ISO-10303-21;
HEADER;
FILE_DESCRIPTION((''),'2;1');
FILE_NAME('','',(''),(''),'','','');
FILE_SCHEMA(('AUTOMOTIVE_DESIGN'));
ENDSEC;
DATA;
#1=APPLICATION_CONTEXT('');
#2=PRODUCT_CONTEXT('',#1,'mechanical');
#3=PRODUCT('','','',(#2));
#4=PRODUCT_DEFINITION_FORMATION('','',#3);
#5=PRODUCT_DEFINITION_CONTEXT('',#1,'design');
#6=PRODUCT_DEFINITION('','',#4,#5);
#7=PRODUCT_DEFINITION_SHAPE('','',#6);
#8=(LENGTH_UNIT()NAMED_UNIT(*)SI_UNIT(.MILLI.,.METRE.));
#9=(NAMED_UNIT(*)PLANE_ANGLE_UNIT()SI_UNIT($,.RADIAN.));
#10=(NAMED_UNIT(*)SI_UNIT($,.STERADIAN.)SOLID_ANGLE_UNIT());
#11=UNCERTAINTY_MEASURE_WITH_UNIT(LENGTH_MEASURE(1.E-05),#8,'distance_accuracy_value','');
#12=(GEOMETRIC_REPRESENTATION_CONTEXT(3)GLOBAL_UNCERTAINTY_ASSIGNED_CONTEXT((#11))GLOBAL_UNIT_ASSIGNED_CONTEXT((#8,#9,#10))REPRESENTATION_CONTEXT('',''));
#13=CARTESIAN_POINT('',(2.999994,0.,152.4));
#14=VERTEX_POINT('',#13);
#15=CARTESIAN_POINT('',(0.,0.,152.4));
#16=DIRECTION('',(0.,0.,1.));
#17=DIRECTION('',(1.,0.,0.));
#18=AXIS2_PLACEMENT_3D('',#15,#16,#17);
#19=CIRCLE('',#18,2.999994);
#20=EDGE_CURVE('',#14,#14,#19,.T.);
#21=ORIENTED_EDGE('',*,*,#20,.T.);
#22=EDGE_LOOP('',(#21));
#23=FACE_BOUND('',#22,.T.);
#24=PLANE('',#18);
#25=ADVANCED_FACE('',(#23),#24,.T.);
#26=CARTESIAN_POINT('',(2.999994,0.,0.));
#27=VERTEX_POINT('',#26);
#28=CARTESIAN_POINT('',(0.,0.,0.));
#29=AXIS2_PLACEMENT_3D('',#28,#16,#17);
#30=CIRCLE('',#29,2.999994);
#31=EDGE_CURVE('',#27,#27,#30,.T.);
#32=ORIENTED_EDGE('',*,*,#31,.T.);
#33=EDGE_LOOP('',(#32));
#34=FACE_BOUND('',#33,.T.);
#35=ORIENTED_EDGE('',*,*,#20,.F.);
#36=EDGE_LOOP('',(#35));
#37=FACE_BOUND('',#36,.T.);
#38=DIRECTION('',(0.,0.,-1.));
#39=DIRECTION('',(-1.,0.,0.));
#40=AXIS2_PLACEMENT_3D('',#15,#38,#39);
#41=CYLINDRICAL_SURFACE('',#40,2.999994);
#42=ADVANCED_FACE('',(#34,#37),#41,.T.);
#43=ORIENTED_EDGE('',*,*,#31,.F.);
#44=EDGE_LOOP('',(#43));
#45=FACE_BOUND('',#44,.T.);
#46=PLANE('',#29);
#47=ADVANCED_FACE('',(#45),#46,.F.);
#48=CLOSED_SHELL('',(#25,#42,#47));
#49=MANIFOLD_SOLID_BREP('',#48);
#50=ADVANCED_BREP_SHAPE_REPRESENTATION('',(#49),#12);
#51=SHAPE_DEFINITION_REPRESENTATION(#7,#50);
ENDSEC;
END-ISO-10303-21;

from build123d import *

# Parameters (mm, degrees)
SKETCH1_R           = 2.999994
BOSS_EXTRUDE1_DEPTH = 152.4


with BuildPart() as part:
    # Sketch1 → Boss-Extrude1 (new body)
    with BuildSketch(Plane.XY):
        Circle(SKETCH1_R)
    extrude(amount=BOSS_EXTRUDE1_DEPTH)


solid = part.part
